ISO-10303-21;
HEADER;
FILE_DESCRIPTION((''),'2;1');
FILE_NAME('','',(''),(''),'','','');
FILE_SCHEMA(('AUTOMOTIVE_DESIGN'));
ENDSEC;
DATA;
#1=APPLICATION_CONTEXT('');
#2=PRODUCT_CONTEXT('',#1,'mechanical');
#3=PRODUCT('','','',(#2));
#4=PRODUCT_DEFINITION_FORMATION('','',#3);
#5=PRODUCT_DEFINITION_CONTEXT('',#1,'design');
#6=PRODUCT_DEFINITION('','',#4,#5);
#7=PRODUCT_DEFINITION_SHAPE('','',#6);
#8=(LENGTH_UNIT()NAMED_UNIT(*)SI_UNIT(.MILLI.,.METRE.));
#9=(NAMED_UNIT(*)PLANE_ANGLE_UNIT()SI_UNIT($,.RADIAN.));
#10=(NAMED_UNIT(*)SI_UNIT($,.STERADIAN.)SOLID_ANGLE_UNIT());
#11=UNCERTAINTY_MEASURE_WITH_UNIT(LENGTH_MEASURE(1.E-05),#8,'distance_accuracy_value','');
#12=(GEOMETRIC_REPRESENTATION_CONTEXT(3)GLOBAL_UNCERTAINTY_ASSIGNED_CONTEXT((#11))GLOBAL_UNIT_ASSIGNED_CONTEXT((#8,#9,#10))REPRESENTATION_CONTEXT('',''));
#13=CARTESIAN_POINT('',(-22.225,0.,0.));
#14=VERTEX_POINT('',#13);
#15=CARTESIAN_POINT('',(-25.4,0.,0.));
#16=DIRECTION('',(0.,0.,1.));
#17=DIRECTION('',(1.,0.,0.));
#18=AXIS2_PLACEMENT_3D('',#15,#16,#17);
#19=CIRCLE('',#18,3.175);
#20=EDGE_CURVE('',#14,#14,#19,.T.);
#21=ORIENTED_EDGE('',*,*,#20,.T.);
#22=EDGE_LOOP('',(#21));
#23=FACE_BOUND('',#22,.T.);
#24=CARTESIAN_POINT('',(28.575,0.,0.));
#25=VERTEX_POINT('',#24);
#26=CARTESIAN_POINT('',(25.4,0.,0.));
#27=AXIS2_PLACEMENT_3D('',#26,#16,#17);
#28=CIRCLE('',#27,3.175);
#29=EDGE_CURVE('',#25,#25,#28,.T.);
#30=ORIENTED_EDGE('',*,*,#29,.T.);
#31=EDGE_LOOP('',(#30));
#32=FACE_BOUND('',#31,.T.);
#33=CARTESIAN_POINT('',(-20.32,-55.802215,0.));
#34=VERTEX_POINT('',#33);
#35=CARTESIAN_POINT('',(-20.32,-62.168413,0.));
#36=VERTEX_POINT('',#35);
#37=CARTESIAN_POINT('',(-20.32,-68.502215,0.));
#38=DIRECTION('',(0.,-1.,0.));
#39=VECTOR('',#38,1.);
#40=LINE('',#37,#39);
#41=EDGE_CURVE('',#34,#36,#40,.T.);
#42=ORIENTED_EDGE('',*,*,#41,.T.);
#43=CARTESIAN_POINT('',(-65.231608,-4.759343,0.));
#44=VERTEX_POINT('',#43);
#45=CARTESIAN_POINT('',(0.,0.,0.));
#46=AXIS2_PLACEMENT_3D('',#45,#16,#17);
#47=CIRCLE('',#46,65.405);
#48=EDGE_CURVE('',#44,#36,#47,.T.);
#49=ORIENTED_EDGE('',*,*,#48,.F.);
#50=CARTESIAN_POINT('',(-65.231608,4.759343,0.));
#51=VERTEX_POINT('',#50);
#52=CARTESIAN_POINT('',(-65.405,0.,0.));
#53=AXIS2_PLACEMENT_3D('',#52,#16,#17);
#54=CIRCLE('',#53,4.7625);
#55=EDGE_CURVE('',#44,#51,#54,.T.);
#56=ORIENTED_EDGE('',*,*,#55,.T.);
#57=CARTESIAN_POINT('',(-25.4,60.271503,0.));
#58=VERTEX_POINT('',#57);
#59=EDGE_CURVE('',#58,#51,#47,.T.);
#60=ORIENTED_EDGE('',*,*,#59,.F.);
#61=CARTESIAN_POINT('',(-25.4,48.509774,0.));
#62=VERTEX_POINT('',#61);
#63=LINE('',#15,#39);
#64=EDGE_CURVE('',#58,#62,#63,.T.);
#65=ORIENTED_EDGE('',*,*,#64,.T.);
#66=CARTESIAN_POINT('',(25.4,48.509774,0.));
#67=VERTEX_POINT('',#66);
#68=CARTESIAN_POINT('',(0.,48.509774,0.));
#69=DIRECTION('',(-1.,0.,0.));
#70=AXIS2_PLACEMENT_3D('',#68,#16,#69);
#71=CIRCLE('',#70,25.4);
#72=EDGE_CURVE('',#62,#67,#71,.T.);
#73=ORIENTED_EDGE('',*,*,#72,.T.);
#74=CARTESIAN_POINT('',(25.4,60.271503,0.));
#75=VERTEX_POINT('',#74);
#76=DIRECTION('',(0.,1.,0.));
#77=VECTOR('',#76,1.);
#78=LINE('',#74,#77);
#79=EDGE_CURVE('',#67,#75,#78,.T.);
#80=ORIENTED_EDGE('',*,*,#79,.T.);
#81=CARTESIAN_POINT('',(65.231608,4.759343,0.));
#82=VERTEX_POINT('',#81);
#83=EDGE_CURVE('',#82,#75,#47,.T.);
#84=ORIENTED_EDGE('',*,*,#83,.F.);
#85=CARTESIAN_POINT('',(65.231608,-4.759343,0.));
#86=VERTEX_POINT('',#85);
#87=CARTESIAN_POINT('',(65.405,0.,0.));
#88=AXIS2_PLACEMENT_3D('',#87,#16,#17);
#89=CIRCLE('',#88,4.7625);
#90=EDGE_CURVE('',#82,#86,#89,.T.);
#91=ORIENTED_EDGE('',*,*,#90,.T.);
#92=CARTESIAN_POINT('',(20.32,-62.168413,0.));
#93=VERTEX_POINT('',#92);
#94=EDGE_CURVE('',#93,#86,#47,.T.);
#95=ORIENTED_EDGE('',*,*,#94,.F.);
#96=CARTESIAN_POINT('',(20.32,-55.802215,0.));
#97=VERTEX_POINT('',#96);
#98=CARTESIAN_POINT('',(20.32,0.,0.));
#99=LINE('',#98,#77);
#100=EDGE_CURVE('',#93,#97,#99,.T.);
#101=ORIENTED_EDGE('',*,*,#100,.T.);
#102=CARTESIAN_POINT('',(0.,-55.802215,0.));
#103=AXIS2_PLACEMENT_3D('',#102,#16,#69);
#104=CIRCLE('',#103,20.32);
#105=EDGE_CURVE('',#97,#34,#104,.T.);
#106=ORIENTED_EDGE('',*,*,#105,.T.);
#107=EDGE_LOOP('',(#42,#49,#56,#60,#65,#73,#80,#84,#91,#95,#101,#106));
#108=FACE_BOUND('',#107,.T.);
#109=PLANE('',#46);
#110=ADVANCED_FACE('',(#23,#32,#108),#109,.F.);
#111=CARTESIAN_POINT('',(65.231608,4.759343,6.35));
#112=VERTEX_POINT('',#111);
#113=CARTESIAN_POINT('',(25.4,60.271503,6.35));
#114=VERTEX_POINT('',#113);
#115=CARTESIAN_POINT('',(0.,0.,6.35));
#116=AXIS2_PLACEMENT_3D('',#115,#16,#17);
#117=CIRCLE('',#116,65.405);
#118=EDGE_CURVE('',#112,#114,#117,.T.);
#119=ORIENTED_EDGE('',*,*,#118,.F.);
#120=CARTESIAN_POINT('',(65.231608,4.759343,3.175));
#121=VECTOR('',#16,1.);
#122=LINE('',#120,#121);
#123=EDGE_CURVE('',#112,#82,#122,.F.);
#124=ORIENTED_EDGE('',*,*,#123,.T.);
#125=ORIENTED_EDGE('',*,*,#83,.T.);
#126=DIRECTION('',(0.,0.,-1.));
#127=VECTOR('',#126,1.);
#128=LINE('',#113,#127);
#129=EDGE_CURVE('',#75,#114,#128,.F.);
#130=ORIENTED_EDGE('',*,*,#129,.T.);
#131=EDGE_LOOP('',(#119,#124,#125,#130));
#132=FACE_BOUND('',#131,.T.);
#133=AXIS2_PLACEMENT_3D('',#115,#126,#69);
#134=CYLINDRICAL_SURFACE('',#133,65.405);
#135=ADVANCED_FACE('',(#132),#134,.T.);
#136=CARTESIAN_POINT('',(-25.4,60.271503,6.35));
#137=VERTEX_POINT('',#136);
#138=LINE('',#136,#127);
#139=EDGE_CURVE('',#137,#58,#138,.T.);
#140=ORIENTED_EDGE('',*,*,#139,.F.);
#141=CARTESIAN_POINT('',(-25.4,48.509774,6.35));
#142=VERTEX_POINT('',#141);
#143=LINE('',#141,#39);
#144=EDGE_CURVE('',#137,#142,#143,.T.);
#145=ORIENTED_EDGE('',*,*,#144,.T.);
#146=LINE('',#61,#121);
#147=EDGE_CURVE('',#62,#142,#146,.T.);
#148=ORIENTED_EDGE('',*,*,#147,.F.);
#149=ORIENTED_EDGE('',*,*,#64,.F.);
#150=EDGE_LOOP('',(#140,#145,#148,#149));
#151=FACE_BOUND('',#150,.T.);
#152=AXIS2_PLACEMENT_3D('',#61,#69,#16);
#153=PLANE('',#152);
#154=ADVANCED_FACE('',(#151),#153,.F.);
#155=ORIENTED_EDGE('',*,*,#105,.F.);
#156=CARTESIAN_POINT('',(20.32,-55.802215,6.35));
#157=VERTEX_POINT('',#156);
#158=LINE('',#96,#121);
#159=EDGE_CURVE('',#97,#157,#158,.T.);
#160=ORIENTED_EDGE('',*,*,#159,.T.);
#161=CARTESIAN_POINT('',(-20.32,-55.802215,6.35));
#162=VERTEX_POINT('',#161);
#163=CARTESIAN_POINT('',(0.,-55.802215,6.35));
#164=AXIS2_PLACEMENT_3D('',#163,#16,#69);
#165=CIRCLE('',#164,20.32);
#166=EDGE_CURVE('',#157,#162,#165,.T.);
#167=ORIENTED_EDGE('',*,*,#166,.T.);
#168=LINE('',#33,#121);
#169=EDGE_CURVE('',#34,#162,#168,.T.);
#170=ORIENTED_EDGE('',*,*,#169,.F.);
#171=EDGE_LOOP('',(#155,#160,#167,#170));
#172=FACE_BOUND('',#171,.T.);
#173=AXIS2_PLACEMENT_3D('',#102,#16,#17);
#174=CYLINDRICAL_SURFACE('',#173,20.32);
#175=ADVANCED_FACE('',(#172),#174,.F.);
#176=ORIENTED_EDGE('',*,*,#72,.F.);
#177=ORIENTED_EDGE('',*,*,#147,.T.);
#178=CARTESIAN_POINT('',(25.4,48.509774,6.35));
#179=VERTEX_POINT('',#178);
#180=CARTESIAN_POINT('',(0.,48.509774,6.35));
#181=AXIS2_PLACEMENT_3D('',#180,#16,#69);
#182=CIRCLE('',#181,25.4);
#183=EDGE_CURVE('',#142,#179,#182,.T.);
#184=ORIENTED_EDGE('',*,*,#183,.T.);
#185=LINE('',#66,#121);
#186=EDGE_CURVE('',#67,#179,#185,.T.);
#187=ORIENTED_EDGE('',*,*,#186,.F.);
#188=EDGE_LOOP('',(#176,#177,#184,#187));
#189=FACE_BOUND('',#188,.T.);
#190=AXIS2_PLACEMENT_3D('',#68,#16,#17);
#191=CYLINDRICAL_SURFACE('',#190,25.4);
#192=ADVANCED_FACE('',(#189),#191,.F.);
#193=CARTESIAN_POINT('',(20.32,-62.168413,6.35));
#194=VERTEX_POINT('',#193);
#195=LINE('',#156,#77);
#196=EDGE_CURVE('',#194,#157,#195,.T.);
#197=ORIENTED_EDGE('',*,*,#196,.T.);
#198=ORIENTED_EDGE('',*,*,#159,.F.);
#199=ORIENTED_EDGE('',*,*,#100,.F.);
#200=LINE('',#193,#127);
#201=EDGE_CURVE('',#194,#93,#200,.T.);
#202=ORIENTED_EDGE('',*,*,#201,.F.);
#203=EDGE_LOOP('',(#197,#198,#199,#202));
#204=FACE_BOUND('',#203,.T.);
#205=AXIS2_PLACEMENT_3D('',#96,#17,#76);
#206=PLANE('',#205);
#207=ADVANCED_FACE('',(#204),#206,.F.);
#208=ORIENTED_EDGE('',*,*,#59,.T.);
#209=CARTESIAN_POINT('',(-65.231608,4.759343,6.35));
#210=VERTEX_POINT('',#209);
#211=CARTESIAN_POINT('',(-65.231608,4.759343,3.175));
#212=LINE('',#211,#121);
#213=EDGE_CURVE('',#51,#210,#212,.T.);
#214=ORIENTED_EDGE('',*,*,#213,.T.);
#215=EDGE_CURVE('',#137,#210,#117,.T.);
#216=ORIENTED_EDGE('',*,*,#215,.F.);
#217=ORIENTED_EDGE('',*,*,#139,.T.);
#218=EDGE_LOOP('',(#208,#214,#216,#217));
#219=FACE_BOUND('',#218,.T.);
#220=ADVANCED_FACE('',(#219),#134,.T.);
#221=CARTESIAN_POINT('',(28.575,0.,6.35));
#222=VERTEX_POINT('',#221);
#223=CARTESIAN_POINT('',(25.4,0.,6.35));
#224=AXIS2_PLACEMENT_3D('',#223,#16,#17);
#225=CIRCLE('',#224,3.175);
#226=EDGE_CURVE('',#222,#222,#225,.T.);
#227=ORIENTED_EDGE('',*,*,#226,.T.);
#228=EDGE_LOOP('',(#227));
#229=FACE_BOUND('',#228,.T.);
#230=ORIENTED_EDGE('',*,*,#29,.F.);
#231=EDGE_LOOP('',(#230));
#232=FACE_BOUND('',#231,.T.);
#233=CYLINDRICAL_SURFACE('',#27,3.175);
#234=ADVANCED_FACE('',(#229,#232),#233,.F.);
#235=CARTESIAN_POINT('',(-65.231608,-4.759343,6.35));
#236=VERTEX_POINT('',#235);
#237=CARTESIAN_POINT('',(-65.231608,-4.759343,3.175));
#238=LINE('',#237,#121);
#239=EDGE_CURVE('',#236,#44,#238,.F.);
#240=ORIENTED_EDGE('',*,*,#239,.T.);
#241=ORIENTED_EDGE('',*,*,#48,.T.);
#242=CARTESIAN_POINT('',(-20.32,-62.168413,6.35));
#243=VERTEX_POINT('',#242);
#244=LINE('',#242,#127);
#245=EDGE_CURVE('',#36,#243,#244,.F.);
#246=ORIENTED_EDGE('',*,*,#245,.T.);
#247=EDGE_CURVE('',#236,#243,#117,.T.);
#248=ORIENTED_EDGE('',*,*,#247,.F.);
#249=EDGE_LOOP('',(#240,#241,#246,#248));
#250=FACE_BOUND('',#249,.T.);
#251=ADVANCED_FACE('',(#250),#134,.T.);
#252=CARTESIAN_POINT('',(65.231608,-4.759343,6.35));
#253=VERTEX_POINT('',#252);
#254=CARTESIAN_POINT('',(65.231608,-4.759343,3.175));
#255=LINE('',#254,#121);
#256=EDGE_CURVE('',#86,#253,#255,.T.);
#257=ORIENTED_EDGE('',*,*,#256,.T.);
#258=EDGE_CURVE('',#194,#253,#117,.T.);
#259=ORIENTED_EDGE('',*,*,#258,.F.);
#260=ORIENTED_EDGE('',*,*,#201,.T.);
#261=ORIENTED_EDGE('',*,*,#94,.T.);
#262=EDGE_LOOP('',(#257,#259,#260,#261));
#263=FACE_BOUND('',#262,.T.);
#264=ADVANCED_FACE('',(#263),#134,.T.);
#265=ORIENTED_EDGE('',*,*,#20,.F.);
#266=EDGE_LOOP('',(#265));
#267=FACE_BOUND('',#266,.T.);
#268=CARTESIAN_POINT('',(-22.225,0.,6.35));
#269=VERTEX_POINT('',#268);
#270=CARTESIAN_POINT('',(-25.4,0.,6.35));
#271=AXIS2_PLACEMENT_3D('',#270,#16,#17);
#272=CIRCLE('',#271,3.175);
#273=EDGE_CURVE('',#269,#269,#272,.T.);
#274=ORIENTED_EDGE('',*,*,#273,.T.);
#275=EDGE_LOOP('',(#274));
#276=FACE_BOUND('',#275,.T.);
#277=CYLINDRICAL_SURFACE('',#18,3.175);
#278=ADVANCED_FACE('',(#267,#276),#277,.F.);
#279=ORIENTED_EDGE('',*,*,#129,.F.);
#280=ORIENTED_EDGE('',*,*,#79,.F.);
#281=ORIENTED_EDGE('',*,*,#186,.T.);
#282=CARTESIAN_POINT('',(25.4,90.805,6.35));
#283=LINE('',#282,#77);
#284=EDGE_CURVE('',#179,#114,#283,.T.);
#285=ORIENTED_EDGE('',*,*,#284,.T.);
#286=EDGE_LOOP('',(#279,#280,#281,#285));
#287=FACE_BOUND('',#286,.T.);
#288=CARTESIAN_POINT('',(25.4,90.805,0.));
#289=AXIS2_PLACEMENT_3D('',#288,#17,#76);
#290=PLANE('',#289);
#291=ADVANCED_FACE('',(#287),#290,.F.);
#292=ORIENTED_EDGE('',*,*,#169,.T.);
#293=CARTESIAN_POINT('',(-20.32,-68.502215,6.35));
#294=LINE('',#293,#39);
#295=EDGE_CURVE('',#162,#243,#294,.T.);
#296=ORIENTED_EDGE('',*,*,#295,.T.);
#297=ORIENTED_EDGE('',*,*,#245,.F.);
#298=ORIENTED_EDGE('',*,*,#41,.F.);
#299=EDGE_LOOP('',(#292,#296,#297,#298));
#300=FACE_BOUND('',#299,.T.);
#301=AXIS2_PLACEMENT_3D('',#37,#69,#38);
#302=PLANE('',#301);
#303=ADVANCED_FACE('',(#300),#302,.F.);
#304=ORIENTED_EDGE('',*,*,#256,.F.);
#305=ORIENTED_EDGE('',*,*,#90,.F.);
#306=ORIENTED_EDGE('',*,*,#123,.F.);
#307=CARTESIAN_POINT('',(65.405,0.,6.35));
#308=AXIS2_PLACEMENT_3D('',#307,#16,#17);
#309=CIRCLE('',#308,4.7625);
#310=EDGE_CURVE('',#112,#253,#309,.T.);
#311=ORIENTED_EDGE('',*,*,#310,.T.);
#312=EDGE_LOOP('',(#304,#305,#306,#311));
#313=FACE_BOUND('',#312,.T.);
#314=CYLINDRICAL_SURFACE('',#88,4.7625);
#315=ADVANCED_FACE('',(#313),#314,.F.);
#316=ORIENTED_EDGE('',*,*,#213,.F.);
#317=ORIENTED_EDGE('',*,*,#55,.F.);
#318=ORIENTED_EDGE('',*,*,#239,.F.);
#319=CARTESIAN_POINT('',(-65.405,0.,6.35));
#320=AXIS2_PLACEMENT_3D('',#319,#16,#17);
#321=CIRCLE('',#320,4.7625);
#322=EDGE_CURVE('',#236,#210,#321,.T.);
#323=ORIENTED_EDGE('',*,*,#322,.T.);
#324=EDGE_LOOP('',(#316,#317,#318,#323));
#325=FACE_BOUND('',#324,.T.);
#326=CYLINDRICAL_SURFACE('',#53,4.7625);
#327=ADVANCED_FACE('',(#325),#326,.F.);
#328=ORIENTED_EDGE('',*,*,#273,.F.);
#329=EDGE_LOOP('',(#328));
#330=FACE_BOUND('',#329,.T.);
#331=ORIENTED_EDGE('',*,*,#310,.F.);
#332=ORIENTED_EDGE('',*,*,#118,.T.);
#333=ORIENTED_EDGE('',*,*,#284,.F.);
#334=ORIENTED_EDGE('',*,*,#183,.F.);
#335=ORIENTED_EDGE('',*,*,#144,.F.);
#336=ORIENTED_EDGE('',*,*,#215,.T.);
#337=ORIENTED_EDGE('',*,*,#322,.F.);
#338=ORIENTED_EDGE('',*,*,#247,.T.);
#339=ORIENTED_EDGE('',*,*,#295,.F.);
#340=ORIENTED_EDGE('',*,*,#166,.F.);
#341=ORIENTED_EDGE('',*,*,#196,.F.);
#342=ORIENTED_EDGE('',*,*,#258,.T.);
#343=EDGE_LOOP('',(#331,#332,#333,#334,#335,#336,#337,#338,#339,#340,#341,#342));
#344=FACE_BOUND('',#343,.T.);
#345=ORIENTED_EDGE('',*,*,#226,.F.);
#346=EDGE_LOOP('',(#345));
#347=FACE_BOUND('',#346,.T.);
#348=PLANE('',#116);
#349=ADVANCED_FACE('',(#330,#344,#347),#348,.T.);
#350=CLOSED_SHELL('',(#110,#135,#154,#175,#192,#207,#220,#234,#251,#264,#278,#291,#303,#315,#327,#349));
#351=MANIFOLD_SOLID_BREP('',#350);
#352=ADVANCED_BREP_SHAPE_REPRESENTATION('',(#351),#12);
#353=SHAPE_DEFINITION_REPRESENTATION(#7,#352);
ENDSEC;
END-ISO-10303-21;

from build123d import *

# Parameters (mm, degrees)
SKETCH1_R      = 65.405
EXTRUDE1_DEPTH = 6.35
SKETCH2_R      = 4.7625
SKETCH2_R_2    = 3.175
EXTRUDE2_DEPTH = 93.714349213


with BuildPart() as part:
    # Sketch1 → Extrude1 (new body)
    with BuildSketch(Plane.XY):
        Circle(SKETCH1_R)
    extrude(amount=EXTRUDE1_DEPTH)

    # Sketch2 → Extrude2 (cut, through all)
    with BuildSketch(Plane.XY.offset(6.35)):
        with Locations((-65.405, 0)):
            Circle(SKETCH2_R)
        with Locations((65.405, 0)):
            Circle(SKETCH2_R)
        with Locations((25.4, 0)):
            Circle(SKETCH2_R_2)
        with Locations((-25.4, 0)):
            Circle(SKETCH2_R_2)
        with BuildLine():
            Line((-25.4, 48.509773864), (-25.4, 60.271502595))
            Line((-25.4, 60.271502595), (-25.4, 90.805))
            Line((-25.4, 90.805), (25.4, 90.805))
            Line((25.4, 90.805), (25.4, 60.271502595))
            Line((25.4, 60.271502595), (25.4, 48.509773864))
            ThreePointArc((25.4, 48.509773864), (0, 23.109773864), (-25.4, 48.509773864))
        make_face()
        with BuildLine():
            Line((20.32, -55.802214755), (20.32, -68.502214755))
            Line((20.32, -68.502214755), (-20.32, -68.502214755))
            Line((-20.32, -68.502214755), (-20.32, -55.802214755))
            ThreePointArc((-20.32, -55.802214755), (0, -35.482214755), (20.32, -55.802214755))
        make_face()
    extrude(amount=-EXTRUDE2_DEPTH, mode=Mode.SUBTRACT)


solid = part.part
